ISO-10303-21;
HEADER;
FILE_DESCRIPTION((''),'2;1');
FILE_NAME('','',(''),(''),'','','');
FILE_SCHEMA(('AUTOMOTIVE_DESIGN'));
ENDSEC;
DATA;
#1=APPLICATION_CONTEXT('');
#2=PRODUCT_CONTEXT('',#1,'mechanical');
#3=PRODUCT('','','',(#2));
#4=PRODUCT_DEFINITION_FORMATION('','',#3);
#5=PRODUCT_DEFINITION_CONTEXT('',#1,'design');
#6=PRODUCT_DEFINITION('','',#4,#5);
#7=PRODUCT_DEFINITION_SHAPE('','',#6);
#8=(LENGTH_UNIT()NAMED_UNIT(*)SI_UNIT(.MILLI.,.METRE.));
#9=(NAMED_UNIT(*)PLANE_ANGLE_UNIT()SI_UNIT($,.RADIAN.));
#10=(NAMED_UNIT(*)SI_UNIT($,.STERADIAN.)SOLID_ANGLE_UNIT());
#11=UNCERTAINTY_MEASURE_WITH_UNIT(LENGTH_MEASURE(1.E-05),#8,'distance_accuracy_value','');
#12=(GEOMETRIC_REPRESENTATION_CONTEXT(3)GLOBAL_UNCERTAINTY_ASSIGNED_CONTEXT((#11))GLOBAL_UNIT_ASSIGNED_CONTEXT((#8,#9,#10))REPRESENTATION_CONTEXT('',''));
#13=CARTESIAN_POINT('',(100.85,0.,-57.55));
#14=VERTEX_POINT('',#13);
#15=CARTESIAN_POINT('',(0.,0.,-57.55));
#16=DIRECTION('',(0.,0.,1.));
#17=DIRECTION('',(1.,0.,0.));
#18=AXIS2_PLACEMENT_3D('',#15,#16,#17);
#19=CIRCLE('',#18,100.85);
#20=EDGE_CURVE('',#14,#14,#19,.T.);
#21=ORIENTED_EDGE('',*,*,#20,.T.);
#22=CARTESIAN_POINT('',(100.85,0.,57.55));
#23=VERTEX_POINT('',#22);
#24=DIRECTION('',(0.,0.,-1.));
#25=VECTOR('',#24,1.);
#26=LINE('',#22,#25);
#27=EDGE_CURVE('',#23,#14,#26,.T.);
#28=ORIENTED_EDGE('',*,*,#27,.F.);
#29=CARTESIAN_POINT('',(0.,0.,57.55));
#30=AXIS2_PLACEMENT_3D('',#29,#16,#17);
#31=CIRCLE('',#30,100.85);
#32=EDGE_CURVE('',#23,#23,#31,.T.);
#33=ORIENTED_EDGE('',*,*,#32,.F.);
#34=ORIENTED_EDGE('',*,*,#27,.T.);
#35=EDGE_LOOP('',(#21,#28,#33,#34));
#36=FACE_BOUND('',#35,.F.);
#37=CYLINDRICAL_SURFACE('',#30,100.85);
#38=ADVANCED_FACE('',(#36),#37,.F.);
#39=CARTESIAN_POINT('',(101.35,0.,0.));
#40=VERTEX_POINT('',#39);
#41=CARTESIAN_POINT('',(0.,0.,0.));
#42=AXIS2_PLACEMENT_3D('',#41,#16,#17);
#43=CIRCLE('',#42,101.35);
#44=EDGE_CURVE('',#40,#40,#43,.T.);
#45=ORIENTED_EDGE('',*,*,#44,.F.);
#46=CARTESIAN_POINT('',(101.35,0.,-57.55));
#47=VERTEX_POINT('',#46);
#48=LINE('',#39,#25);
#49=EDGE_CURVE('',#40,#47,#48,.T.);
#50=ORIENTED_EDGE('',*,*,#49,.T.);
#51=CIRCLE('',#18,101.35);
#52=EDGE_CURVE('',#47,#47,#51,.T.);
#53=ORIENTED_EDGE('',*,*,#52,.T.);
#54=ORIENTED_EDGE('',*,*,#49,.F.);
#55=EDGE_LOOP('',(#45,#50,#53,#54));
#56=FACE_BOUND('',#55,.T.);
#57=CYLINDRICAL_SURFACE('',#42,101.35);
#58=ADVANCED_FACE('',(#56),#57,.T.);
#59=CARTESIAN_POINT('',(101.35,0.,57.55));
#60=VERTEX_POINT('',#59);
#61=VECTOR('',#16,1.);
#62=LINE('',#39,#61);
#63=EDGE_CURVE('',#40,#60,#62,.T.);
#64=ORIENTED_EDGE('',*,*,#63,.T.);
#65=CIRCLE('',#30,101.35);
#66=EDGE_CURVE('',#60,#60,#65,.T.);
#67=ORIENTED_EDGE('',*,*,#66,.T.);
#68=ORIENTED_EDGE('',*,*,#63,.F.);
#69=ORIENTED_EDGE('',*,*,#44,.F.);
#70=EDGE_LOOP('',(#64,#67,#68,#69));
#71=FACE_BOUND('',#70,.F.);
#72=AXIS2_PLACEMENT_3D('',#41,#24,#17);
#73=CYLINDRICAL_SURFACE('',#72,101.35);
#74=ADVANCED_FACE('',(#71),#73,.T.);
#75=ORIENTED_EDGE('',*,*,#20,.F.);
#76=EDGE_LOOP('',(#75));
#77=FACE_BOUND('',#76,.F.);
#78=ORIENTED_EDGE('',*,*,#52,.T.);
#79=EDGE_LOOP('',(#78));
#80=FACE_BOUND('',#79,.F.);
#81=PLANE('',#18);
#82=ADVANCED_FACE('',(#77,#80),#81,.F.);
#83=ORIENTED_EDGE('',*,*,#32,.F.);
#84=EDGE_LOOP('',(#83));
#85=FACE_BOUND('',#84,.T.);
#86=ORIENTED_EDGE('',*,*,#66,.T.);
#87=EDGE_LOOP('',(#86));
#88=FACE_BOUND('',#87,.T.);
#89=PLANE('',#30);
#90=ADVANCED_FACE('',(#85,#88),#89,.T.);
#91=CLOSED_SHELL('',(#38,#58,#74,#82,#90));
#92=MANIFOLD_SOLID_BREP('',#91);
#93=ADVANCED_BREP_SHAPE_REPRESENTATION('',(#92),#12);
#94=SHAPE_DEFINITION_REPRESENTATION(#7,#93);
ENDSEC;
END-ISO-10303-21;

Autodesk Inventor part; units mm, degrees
ref_plane "YZ Plane" through (0, 0, 0) normal (1, 0, 0) x (0, 1, 0)
ref_plane "XZ Plane" through (0, 0, 0) normal (0, 1, 0) x (-1, 0, 0)
ref_plane "XY Plane" through (0, 0, 0) normal (0, 0, 1) x (1, 0, 0)
sketch "Sketch1" plane through (0, 0, 0) normal (0, 0, 1) x (1, 0, 0)
  circle A0 centre (0, 0) radius 101.35
  dimension "d0" = 202.7
extrude "Extrusion1" add sketch "Sketch1" along normal mid plane 115.1
sketch "Sketch2" plane through (0, 0, 57.55) normal (0, 0, 1) x (1, 0, 0)
  circle A0 centre (0, 0) radius 100.85
  dimension "d3" = 201.7
extrude "Extrusion2" cut sketch "Sketch2" against normal through all
properties part number "ALPHA-II-CT_6"
